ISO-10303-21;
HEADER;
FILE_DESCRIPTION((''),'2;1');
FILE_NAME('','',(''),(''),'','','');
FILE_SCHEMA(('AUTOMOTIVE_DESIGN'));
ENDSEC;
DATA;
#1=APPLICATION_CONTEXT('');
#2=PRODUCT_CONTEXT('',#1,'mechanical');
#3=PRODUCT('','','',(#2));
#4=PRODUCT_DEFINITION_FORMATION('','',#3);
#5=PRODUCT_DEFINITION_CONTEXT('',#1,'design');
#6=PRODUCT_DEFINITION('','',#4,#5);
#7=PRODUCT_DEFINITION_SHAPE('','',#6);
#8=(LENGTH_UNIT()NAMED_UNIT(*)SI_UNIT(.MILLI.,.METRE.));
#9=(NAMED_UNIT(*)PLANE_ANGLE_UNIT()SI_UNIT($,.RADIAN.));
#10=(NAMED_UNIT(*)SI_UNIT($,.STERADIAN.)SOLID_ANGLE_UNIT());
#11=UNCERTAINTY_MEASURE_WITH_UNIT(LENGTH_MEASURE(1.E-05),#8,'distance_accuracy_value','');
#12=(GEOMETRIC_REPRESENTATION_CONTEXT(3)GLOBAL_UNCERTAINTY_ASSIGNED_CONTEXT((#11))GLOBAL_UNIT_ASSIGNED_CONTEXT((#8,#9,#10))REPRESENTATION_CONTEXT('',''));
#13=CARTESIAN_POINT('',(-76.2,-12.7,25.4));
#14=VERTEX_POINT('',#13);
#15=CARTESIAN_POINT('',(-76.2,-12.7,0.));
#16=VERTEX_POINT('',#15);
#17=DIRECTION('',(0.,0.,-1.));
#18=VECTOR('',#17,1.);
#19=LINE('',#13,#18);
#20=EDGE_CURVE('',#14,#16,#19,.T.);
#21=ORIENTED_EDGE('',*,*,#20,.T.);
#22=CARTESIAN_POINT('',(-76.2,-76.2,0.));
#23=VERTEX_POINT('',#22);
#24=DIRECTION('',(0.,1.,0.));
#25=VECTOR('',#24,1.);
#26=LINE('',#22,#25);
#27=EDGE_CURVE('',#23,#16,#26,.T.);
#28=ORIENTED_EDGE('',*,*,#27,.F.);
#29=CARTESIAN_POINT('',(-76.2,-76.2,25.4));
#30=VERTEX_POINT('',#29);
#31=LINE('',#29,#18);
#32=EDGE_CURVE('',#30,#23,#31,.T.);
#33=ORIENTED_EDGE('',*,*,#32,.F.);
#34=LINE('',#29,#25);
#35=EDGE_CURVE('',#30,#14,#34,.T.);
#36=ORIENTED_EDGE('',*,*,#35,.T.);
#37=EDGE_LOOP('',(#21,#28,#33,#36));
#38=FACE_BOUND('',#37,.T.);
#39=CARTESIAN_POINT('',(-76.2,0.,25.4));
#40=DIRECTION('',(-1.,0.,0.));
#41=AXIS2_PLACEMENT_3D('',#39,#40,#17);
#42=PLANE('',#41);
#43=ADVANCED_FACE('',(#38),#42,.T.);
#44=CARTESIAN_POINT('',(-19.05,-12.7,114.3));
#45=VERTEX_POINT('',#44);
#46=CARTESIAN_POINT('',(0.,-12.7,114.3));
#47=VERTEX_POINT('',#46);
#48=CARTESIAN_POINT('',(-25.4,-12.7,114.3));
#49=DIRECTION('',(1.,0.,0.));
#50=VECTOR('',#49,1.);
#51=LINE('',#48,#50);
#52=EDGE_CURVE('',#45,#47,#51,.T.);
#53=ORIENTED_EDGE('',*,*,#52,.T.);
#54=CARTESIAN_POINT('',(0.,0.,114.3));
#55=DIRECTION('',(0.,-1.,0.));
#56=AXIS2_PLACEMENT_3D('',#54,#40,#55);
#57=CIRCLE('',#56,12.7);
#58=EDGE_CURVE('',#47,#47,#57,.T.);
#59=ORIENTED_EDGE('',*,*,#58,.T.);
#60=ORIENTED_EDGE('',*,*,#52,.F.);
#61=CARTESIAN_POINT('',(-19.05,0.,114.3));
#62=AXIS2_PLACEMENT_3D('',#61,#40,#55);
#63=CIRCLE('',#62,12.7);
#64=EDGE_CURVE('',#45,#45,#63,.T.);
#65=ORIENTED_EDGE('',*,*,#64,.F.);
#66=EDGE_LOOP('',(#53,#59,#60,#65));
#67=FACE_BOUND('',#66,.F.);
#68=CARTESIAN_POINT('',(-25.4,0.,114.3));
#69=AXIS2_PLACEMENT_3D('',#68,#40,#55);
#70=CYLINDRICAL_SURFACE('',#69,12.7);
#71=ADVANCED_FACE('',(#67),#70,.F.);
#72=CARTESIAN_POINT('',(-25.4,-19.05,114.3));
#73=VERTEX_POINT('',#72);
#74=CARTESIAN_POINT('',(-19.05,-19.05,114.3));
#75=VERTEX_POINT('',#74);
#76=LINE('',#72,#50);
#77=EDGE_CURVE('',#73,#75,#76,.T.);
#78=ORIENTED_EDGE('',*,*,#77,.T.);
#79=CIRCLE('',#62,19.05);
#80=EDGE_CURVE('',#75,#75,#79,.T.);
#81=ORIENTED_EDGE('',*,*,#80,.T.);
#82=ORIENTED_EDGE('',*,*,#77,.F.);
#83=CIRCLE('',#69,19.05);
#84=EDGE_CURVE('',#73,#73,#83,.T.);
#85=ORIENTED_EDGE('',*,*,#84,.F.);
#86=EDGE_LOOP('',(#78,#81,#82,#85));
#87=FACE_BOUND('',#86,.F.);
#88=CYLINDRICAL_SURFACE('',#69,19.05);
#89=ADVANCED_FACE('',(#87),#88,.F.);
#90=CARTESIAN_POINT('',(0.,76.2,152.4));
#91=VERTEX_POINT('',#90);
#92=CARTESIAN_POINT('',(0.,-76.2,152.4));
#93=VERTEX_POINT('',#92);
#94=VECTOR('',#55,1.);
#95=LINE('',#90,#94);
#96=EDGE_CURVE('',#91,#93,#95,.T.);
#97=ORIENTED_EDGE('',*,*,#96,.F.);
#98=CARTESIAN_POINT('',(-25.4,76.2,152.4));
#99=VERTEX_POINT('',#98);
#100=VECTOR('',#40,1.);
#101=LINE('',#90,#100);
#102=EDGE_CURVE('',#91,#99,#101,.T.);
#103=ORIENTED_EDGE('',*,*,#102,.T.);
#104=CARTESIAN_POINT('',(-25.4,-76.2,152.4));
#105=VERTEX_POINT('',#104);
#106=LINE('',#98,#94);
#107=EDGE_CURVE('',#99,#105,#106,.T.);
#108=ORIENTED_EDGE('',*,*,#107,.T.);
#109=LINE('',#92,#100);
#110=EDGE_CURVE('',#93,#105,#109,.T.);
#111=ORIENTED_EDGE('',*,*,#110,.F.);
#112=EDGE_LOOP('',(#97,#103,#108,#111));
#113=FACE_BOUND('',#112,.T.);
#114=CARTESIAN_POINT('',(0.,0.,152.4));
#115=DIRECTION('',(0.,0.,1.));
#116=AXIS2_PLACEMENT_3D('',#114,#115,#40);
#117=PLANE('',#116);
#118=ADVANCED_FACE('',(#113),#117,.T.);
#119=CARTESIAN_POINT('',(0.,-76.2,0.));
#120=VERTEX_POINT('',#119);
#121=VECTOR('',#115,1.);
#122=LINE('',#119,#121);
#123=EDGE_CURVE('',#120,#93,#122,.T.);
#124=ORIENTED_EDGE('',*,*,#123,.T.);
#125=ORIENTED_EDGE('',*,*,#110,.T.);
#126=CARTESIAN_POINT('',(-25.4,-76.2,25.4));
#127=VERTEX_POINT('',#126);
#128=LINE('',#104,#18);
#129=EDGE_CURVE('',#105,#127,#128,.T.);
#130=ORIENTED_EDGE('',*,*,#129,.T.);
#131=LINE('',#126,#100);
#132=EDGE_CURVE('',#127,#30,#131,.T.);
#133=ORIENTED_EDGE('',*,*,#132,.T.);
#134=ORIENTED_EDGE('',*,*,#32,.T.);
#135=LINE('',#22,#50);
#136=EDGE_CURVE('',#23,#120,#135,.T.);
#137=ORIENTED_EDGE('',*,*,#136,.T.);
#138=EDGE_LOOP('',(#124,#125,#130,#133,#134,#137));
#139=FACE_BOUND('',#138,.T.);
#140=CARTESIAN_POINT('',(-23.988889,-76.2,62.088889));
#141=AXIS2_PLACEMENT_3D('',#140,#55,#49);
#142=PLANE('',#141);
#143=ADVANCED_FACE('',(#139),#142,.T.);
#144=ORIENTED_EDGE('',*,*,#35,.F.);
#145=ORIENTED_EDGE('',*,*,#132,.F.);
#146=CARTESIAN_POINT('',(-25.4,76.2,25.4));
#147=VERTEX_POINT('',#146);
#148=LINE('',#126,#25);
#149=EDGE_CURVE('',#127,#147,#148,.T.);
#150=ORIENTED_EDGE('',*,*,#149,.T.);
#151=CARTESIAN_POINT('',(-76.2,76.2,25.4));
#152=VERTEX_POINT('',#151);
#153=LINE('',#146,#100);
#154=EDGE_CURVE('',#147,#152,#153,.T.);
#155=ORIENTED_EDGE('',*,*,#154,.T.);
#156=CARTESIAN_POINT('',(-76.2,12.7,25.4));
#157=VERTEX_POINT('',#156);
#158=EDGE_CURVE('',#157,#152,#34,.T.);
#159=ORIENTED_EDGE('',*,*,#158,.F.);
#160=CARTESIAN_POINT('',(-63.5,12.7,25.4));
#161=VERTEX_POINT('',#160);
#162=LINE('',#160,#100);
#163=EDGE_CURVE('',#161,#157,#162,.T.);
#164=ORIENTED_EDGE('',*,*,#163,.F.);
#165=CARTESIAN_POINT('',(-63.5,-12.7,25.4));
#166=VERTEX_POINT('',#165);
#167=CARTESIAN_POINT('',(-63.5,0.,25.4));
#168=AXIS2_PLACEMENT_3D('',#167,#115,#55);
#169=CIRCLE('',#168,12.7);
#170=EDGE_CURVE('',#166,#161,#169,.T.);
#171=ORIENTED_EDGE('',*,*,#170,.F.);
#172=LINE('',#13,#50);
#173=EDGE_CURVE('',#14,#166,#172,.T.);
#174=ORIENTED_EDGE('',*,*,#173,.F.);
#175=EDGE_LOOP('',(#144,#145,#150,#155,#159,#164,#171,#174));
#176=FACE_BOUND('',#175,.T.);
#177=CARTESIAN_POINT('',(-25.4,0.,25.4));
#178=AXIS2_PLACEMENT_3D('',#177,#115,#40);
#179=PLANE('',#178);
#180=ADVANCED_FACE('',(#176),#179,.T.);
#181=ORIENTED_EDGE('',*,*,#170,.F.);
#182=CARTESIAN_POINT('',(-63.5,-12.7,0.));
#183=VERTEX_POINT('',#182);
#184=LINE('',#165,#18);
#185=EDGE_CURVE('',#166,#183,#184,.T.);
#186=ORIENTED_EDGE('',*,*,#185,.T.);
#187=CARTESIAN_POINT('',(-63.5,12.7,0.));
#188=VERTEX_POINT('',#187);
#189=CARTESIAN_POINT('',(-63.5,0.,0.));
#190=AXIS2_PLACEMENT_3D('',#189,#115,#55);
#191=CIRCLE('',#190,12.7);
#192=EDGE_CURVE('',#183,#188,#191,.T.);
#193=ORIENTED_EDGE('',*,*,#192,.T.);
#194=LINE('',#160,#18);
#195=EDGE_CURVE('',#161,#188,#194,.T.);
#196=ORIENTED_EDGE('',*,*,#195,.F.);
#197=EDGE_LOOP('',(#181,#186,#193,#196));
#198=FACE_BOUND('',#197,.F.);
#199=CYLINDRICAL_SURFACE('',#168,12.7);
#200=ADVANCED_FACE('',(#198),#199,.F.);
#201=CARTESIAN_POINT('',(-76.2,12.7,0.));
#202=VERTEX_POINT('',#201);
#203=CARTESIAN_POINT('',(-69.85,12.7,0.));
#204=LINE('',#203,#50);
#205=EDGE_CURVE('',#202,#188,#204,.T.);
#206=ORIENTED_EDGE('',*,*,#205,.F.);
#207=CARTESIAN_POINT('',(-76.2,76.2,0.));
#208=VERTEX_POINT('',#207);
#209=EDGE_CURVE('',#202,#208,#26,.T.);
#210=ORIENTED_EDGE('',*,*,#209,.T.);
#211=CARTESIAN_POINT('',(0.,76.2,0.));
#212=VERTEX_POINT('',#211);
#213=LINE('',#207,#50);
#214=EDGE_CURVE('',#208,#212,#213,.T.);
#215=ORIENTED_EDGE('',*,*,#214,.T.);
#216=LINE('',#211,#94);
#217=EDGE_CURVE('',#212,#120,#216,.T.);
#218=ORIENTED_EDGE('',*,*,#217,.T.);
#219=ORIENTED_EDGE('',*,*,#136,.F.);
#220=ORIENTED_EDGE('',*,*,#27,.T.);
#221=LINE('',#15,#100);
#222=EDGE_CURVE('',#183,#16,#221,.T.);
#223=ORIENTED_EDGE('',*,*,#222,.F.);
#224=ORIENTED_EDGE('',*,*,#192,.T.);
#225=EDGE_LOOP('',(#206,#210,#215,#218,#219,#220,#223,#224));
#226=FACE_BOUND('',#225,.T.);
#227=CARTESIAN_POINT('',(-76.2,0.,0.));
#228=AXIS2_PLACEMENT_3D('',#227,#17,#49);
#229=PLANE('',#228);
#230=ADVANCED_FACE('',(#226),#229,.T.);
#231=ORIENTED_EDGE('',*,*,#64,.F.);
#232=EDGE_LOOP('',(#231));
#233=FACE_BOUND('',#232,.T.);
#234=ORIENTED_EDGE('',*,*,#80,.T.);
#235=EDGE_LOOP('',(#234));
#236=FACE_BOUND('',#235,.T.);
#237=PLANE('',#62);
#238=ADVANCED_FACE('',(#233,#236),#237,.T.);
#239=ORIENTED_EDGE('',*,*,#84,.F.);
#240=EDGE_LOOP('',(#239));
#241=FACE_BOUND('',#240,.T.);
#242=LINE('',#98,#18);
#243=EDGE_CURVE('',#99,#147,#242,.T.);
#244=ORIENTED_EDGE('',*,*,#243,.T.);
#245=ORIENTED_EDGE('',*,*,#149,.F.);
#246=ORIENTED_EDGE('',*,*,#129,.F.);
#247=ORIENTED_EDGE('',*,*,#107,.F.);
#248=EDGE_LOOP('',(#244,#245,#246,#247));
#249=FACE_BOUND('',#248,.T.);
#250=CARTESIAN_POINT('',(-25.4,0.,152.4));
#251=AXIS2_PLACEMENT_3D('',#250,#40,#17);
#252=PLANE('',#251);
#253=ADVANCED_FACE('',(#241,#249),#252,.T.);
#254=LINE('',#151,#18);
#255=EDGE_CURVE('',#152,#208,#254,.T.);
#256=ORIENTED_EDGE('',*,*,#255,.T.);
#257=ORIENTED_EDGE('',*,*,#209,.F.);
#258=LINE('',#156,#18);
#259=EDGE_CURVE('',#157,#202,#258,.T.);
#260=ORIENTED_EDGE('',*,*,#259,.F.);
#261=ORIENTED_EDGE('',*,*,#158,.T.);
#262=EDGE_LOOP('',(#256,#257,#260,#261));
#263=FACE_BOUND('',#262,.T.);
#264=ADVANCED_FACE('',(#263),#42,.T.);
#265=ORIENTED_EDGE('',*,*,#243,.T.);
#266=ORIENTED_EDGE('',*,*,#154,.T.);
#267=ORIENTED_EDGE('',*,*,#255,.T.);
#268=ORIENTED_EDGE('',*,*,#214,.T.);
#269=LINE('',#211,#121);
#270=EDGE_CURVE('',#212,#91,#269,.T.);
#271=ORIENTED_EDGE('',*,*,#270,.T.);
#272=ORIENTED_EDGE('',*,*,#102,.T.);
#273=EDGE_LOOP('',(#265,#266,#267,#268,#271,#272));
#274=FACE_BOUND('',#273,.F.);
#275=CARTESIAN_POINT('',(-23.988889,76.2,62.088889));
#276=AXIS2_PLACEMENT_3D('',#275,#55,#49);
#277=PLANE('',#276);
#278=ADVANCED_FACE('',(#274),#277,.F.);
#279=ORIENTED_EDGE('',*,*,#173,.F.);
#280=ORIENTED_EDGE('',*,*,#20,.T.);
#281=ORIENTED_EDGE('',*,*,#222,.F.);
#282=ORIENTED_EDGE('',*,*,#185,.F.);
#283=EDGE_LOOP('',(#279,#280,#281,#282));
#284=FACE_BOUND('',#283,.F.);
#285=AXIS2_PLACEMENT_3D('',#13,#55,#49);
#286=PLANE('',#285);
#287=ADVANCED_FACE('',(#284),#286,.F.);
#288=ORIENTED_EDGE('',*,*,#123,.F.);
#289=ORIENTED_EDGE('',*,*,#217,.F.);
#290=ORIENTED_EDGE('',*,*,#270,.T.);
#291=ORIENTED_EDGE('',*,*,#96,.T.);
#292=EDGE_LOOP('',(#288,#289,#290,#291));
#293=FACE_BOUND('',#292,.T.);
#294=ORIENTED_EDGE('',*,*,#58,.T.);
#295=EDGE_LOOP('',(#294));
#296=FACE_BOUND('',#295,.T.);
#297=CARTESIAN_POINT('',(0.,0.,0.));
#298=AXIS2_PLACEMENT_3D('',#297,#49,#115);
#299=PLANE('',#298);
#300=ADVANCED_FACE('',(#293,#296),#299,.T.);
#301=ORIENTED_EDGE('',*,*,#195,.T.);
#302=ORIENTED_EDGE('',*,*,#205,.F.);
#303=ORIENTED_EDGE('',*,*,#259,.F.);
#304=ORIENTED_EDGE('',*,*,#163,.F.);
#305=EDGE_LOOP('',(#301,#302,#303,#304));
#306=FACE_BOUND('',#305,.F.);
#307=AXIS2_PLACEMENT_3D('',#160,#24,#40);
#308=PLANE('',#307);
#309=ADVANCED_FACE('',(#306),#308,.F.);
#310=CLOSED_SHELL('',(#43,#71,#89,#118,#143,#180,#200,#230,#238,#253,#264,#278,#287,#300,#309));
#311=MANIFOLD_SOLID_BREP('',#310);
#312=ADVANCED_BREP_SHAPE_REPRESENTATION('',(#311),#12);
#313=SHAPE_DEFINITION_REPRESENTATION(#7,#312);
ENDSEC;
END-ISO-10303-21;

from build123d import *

# Parameters (mm, degrees)
F1_DEPTH = 76.2
F2_R     = 12.7
F3_DEPTH = 25.401
F2_R_2   = 19.05
F4_DEPTH = 6.35
F6_DEPTH = 25.401


with BuildPart() as f1:
    # F0 (on Front) → F1 (new body, symmetric)
    with BuildSketch(Plane.XZ):
        Polygon((-76.2, 0), (0, 0), (0, 152.4), (-25.4, 152.4), (-25.4, 25.4), (-76.2, 25.4), align=None)
    extrude(amount=F1_DEPTH, both=True)

    # F2 (on face) → F3 (cut, through all)
    with BuildSketch(Plane(origin=(-25.4, 0, 0), x_dir=(0, -1, 0), z_dir=(-1, 0, 0))):
        with Locations((0, 114.3)):
            Circle(F2_R)
    extrude(amount=-F3_DEPTH, mode=Mode.SUBTRACT)

    # F2 (on face) → F4 (cut)
    with BuildSketch(Plane(origin=(-25.4, 0, 0), x_dir=(0, -1, 0), z_dir=(-1, 0, 0))):
        with Locations((0, 114.3)):
            Circle(F2_R_2)
        with Locations((0, 114.3)):
            Circle(F2_R, mode=Mode.SUBTRACT)
    extrude(amount=-F4_DEPTH, mode=Mode.SUBTRACT)

    # F5 (on face) → F6 (cut, through all)
    with BuildSketch(Plane.XY.offset(25.4)):
        with BuildLine():
            Line((-76.2, 12.7), (-76.2, 0))
            Line((-76.2, 0), (-76.2, -12.7))
            Line((-76.2, -12.7), (-63.5, -12.7))
            ThreePointArc((-63.5, -12.7), (-50.8, 0), (-63.5, 12.7))
            Line((-63.5, 12.7), (-76.2, 12.7))
        make_face()
    extrude(amount=-F6_DEPTH, mode=Mode.SUBTRACT)


solid = f1.part
